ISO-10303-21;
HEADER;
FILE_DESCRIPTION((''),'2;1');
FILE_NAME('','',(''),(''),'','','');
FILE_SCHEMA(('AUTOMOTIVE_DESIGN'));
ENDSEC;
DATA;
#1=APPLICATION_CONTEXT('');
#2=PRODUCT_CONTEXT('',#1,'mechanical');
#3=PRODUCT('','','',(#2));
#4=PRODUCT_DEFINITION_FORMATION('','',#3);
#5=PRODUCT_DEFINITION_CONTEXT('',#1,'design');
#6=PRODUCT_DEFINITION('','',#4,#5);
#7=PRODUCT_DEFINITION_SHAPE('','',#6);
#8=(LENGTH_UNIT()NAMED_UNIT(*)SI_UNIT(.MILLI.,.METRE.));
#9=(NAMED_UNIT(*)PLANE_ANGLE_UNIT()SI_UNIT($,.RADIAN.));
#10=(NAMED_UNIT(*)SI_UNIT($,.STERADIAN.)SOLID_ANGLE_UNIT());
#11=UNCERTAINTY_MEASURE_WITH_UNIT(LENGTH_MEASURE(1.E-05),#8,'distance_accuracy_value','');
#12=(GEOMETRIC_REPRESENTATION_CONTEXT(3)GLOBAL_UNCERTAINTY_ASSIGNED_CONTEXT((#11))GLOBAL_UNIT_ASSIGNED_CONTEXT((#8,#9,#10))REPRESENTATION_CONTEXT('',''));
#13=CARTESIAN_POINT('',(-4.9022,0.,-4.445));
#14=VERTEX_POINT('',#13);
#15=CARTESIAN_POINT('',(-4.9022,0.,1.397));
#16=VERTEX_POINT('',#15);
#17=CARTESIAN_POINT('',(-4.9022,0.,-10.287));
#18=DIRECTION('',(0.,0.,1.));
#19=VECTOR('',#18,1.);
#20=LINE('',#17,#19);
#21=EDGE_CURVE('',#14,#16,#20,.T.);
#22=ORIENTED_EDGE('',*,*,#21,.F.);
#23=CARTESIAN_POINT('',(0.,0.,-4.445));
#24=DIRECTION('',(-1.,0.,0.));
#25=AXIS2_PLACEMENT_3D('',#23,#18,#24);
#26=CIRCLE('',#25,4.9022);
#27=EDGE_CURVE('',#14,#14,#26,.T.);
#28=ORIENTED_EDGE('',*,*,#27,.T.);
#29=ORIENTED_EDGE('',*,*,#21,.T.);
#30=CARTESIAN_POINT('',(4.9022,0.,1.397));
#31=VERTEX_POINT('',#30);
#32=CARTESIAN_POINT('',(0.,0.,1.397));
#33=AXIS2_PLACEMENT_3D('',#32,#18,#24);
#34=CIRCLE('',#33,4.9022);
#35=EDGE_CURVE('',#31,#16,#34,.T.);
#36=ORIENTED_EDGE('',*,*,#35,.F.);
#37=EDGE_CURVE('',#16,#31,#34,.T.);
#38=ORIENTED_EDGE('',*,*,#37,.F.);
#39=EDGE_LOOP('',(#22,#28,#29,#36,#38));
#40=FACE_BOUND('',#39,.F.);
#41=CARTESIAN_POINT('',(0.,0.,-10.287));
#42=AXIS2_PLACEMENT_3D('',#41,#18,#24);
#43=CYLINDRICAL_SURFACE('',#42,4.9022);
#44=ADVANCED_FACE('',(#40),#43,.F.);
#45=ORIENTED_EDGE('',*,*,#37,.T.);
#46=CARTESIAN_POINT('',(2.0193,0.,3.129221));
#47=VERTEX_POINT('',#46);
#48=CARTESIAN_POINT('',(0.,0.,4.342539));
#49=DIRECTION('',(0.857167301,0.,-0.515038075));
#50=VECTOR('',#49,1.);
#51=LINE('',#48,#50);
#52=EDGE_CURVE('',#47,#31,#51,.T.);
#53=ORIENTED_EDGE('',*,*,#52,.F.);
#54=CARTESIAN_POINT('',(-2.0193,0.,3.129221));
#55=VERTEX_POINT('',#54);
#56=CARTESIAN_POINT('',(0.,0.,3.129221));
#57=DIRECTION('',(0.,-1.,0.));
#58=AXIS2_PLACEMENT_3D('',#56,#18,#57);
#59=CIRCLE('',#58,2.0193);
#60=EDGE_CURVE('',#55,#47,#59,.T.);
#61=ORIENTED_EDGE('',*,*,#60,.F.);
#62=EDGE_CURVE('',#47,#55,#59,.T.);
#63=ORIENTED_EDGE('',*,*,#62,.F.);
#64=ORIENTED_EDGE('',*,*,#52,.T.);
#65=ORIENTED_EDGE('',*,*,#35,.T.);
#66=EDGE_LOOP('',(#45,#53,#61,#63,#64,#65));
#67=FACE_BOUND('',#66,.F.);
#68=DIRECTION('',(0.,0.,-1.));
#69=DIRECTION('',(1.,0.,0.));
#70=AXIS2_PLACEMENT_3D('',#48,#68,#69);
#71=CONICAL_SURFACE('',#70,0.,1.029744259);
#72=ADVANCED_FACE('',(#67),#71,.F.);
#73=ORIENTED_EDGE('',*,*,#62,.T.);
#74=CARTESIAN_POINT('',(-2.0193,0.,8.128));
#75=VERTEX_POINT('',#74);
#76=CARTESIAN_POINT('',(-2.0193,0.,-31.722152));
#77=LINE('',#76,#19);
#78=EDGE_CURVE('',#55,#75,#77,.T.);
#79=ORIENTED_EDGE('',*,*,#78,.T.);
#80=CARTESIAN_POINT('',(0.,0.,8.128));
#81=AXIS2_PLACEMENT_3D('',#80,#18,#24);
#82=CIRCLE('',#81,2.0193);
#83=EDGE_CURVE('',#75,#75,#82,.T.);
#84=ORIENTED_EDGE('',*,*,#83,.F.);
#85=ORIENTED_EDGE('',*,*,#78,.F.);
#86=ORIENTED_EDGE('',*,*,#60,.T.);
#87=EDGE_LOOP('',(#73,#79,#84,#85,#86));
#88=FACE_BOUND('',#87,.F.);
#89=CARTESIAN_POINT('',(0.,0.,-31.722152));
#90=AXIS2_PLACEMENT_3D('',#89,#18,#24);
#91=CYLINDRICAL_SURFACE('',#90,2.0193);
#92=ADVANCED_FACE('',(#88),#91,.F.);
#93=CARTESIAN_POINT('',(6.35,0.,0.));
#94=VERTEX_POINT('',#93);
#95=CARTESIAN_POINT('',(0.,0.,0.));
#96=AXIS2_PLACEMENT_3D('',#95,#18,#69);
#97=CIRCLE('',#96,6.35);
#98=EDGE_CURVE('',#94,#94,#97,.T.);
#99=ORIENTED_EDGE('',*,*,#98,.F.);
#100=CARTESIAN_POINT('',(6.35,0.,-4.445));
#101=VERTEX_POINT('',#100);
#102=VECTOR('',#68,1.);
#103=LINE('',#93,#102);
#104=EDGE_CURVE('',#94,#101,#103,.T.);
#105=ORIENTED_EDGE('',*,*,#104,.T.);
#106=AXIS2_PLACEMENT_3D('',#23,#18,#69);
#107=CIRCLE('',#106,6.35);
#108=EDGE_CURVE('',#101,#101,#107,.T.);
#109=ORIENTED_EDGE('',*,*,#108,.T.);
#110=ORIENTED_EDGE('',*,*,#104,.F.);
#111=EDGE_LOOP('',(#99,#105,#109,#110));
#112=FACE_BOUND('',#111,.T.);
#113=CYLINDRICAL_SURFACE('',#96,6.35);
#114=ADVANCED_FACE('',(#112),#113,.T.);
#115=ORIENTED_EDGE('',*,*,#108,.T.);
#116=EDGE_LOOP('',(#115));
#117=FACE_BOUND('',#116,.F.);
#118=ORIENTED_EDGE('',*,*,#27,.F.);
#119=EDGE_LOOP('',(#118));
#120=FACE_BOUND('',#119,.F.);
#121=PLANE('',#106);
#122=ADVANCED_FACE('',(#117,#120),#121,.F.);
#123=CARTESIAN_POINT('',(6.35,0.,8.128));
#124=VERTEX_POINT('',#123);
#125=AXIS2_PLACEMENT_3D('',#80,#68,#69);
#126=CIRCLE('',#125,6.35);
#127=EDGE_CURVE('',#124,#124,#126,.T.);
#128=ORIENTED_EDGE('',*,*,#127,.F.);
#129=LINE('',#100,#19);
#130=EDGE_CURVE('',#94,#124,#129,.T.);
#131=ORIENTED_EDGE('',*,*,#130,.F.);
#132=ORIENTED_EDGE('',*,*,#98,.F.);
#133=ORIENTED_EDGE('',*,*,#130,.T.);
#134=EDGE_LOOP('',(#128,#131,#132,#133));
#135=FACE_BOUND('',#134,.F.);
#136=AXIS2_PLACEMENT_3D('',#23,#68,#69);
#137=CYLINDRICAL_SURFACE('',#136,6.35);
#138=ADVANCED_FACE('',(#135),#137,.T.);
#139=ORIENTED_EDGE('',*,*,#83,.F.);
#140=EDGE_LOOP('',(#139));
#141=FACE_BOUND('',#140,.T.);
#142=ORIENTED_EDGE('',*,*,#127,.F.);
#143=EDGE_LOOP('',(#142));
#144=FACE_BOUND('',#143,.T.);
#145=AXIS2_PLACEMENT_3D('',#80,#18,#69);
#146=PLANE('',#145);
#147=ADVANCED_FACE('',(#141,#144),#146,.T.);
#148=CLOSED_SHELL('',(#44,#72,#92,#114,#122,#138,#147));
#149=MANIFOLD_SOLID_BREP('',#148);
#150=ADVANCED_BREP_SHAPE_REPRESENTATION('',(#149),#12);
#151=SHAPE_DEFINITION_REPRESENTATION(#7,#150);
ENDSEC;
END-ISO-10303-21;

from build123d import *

# Parameters (mm, degrees)
F2_R      = 6.35
F3_DEPTH  = 4.445
F4_R      = 9.525
F5_DEPTH  = 8.128
F6_W      = 38.1
F6_H      = 14.9352
F8_DEPTH  = 25.4
F9_D      = 9.8044
F9_DEPTH  = 5.842
F9_TIP    = 2.9455389266
F10_D     = 4.0386
F11_R     = 22.559553958
F11_R_2   = 6.35
F12_DEPTH = 25.4


with BuildPart() as f3:
    # F2 (on Top) → F3 (new body, through all)
    with BuildSketch(Plane.XY):
        Circle(F2_R)
    extrude(amount=-F3_DEPTH)

    # F4 (on Top) → F5 (join, through all)
    with BuildSketch(Plane.XY):
        Circle(F4_R)
    extrude(amount=F5_DEPTH)

    # F6 (on Top) → F8 (cut)
    with BuildSketch(Plane.XY):
        with Locations((0, -14.9352)):
            Rectangle(F6_W, F6_H)
        with Locations((0, 14.9352)):
            Rectangle(F6_W, F6_H)
    extrude(amount=F8_DEPTH, mode=Mode.SUBTRACT)

    # F9
    with Locations(Plane(origin=(0, 0, -4.445), x_dir=(1, 0, 0), z_dir=(0, 0, -1))):
        with Locations((0, 0)):
            Hole(F9_D / 2, depth=F9_DEPTH)
            with Locations((0, 0, -(F9_DEPTH + F9_TIP / 2))):  # 118° drill point
                Cone(0, F9_D / 2, F9_TIP, mode=Mode.SUBTRACT)

    # F10 (through all)
    with Locations(Plane(origin=(0, 0, -4.445), x_dir=(1, 0, 0), z_dir=(0, 0, -1))):
        with Locations((0, 0)):
            Hole(F10_D / 2)

    # F11 (on offset) → F12 (cut)
    with BuildSketch(Plane.XY.offset(-4.445)):
        Circle(F11_R)
        Circle(F11_R_2, mode=Mode.SUBTRACT)
    extrude(amount=F12_DEPTH, mode=Mode.SUBTRACT)


solid = f3.part
